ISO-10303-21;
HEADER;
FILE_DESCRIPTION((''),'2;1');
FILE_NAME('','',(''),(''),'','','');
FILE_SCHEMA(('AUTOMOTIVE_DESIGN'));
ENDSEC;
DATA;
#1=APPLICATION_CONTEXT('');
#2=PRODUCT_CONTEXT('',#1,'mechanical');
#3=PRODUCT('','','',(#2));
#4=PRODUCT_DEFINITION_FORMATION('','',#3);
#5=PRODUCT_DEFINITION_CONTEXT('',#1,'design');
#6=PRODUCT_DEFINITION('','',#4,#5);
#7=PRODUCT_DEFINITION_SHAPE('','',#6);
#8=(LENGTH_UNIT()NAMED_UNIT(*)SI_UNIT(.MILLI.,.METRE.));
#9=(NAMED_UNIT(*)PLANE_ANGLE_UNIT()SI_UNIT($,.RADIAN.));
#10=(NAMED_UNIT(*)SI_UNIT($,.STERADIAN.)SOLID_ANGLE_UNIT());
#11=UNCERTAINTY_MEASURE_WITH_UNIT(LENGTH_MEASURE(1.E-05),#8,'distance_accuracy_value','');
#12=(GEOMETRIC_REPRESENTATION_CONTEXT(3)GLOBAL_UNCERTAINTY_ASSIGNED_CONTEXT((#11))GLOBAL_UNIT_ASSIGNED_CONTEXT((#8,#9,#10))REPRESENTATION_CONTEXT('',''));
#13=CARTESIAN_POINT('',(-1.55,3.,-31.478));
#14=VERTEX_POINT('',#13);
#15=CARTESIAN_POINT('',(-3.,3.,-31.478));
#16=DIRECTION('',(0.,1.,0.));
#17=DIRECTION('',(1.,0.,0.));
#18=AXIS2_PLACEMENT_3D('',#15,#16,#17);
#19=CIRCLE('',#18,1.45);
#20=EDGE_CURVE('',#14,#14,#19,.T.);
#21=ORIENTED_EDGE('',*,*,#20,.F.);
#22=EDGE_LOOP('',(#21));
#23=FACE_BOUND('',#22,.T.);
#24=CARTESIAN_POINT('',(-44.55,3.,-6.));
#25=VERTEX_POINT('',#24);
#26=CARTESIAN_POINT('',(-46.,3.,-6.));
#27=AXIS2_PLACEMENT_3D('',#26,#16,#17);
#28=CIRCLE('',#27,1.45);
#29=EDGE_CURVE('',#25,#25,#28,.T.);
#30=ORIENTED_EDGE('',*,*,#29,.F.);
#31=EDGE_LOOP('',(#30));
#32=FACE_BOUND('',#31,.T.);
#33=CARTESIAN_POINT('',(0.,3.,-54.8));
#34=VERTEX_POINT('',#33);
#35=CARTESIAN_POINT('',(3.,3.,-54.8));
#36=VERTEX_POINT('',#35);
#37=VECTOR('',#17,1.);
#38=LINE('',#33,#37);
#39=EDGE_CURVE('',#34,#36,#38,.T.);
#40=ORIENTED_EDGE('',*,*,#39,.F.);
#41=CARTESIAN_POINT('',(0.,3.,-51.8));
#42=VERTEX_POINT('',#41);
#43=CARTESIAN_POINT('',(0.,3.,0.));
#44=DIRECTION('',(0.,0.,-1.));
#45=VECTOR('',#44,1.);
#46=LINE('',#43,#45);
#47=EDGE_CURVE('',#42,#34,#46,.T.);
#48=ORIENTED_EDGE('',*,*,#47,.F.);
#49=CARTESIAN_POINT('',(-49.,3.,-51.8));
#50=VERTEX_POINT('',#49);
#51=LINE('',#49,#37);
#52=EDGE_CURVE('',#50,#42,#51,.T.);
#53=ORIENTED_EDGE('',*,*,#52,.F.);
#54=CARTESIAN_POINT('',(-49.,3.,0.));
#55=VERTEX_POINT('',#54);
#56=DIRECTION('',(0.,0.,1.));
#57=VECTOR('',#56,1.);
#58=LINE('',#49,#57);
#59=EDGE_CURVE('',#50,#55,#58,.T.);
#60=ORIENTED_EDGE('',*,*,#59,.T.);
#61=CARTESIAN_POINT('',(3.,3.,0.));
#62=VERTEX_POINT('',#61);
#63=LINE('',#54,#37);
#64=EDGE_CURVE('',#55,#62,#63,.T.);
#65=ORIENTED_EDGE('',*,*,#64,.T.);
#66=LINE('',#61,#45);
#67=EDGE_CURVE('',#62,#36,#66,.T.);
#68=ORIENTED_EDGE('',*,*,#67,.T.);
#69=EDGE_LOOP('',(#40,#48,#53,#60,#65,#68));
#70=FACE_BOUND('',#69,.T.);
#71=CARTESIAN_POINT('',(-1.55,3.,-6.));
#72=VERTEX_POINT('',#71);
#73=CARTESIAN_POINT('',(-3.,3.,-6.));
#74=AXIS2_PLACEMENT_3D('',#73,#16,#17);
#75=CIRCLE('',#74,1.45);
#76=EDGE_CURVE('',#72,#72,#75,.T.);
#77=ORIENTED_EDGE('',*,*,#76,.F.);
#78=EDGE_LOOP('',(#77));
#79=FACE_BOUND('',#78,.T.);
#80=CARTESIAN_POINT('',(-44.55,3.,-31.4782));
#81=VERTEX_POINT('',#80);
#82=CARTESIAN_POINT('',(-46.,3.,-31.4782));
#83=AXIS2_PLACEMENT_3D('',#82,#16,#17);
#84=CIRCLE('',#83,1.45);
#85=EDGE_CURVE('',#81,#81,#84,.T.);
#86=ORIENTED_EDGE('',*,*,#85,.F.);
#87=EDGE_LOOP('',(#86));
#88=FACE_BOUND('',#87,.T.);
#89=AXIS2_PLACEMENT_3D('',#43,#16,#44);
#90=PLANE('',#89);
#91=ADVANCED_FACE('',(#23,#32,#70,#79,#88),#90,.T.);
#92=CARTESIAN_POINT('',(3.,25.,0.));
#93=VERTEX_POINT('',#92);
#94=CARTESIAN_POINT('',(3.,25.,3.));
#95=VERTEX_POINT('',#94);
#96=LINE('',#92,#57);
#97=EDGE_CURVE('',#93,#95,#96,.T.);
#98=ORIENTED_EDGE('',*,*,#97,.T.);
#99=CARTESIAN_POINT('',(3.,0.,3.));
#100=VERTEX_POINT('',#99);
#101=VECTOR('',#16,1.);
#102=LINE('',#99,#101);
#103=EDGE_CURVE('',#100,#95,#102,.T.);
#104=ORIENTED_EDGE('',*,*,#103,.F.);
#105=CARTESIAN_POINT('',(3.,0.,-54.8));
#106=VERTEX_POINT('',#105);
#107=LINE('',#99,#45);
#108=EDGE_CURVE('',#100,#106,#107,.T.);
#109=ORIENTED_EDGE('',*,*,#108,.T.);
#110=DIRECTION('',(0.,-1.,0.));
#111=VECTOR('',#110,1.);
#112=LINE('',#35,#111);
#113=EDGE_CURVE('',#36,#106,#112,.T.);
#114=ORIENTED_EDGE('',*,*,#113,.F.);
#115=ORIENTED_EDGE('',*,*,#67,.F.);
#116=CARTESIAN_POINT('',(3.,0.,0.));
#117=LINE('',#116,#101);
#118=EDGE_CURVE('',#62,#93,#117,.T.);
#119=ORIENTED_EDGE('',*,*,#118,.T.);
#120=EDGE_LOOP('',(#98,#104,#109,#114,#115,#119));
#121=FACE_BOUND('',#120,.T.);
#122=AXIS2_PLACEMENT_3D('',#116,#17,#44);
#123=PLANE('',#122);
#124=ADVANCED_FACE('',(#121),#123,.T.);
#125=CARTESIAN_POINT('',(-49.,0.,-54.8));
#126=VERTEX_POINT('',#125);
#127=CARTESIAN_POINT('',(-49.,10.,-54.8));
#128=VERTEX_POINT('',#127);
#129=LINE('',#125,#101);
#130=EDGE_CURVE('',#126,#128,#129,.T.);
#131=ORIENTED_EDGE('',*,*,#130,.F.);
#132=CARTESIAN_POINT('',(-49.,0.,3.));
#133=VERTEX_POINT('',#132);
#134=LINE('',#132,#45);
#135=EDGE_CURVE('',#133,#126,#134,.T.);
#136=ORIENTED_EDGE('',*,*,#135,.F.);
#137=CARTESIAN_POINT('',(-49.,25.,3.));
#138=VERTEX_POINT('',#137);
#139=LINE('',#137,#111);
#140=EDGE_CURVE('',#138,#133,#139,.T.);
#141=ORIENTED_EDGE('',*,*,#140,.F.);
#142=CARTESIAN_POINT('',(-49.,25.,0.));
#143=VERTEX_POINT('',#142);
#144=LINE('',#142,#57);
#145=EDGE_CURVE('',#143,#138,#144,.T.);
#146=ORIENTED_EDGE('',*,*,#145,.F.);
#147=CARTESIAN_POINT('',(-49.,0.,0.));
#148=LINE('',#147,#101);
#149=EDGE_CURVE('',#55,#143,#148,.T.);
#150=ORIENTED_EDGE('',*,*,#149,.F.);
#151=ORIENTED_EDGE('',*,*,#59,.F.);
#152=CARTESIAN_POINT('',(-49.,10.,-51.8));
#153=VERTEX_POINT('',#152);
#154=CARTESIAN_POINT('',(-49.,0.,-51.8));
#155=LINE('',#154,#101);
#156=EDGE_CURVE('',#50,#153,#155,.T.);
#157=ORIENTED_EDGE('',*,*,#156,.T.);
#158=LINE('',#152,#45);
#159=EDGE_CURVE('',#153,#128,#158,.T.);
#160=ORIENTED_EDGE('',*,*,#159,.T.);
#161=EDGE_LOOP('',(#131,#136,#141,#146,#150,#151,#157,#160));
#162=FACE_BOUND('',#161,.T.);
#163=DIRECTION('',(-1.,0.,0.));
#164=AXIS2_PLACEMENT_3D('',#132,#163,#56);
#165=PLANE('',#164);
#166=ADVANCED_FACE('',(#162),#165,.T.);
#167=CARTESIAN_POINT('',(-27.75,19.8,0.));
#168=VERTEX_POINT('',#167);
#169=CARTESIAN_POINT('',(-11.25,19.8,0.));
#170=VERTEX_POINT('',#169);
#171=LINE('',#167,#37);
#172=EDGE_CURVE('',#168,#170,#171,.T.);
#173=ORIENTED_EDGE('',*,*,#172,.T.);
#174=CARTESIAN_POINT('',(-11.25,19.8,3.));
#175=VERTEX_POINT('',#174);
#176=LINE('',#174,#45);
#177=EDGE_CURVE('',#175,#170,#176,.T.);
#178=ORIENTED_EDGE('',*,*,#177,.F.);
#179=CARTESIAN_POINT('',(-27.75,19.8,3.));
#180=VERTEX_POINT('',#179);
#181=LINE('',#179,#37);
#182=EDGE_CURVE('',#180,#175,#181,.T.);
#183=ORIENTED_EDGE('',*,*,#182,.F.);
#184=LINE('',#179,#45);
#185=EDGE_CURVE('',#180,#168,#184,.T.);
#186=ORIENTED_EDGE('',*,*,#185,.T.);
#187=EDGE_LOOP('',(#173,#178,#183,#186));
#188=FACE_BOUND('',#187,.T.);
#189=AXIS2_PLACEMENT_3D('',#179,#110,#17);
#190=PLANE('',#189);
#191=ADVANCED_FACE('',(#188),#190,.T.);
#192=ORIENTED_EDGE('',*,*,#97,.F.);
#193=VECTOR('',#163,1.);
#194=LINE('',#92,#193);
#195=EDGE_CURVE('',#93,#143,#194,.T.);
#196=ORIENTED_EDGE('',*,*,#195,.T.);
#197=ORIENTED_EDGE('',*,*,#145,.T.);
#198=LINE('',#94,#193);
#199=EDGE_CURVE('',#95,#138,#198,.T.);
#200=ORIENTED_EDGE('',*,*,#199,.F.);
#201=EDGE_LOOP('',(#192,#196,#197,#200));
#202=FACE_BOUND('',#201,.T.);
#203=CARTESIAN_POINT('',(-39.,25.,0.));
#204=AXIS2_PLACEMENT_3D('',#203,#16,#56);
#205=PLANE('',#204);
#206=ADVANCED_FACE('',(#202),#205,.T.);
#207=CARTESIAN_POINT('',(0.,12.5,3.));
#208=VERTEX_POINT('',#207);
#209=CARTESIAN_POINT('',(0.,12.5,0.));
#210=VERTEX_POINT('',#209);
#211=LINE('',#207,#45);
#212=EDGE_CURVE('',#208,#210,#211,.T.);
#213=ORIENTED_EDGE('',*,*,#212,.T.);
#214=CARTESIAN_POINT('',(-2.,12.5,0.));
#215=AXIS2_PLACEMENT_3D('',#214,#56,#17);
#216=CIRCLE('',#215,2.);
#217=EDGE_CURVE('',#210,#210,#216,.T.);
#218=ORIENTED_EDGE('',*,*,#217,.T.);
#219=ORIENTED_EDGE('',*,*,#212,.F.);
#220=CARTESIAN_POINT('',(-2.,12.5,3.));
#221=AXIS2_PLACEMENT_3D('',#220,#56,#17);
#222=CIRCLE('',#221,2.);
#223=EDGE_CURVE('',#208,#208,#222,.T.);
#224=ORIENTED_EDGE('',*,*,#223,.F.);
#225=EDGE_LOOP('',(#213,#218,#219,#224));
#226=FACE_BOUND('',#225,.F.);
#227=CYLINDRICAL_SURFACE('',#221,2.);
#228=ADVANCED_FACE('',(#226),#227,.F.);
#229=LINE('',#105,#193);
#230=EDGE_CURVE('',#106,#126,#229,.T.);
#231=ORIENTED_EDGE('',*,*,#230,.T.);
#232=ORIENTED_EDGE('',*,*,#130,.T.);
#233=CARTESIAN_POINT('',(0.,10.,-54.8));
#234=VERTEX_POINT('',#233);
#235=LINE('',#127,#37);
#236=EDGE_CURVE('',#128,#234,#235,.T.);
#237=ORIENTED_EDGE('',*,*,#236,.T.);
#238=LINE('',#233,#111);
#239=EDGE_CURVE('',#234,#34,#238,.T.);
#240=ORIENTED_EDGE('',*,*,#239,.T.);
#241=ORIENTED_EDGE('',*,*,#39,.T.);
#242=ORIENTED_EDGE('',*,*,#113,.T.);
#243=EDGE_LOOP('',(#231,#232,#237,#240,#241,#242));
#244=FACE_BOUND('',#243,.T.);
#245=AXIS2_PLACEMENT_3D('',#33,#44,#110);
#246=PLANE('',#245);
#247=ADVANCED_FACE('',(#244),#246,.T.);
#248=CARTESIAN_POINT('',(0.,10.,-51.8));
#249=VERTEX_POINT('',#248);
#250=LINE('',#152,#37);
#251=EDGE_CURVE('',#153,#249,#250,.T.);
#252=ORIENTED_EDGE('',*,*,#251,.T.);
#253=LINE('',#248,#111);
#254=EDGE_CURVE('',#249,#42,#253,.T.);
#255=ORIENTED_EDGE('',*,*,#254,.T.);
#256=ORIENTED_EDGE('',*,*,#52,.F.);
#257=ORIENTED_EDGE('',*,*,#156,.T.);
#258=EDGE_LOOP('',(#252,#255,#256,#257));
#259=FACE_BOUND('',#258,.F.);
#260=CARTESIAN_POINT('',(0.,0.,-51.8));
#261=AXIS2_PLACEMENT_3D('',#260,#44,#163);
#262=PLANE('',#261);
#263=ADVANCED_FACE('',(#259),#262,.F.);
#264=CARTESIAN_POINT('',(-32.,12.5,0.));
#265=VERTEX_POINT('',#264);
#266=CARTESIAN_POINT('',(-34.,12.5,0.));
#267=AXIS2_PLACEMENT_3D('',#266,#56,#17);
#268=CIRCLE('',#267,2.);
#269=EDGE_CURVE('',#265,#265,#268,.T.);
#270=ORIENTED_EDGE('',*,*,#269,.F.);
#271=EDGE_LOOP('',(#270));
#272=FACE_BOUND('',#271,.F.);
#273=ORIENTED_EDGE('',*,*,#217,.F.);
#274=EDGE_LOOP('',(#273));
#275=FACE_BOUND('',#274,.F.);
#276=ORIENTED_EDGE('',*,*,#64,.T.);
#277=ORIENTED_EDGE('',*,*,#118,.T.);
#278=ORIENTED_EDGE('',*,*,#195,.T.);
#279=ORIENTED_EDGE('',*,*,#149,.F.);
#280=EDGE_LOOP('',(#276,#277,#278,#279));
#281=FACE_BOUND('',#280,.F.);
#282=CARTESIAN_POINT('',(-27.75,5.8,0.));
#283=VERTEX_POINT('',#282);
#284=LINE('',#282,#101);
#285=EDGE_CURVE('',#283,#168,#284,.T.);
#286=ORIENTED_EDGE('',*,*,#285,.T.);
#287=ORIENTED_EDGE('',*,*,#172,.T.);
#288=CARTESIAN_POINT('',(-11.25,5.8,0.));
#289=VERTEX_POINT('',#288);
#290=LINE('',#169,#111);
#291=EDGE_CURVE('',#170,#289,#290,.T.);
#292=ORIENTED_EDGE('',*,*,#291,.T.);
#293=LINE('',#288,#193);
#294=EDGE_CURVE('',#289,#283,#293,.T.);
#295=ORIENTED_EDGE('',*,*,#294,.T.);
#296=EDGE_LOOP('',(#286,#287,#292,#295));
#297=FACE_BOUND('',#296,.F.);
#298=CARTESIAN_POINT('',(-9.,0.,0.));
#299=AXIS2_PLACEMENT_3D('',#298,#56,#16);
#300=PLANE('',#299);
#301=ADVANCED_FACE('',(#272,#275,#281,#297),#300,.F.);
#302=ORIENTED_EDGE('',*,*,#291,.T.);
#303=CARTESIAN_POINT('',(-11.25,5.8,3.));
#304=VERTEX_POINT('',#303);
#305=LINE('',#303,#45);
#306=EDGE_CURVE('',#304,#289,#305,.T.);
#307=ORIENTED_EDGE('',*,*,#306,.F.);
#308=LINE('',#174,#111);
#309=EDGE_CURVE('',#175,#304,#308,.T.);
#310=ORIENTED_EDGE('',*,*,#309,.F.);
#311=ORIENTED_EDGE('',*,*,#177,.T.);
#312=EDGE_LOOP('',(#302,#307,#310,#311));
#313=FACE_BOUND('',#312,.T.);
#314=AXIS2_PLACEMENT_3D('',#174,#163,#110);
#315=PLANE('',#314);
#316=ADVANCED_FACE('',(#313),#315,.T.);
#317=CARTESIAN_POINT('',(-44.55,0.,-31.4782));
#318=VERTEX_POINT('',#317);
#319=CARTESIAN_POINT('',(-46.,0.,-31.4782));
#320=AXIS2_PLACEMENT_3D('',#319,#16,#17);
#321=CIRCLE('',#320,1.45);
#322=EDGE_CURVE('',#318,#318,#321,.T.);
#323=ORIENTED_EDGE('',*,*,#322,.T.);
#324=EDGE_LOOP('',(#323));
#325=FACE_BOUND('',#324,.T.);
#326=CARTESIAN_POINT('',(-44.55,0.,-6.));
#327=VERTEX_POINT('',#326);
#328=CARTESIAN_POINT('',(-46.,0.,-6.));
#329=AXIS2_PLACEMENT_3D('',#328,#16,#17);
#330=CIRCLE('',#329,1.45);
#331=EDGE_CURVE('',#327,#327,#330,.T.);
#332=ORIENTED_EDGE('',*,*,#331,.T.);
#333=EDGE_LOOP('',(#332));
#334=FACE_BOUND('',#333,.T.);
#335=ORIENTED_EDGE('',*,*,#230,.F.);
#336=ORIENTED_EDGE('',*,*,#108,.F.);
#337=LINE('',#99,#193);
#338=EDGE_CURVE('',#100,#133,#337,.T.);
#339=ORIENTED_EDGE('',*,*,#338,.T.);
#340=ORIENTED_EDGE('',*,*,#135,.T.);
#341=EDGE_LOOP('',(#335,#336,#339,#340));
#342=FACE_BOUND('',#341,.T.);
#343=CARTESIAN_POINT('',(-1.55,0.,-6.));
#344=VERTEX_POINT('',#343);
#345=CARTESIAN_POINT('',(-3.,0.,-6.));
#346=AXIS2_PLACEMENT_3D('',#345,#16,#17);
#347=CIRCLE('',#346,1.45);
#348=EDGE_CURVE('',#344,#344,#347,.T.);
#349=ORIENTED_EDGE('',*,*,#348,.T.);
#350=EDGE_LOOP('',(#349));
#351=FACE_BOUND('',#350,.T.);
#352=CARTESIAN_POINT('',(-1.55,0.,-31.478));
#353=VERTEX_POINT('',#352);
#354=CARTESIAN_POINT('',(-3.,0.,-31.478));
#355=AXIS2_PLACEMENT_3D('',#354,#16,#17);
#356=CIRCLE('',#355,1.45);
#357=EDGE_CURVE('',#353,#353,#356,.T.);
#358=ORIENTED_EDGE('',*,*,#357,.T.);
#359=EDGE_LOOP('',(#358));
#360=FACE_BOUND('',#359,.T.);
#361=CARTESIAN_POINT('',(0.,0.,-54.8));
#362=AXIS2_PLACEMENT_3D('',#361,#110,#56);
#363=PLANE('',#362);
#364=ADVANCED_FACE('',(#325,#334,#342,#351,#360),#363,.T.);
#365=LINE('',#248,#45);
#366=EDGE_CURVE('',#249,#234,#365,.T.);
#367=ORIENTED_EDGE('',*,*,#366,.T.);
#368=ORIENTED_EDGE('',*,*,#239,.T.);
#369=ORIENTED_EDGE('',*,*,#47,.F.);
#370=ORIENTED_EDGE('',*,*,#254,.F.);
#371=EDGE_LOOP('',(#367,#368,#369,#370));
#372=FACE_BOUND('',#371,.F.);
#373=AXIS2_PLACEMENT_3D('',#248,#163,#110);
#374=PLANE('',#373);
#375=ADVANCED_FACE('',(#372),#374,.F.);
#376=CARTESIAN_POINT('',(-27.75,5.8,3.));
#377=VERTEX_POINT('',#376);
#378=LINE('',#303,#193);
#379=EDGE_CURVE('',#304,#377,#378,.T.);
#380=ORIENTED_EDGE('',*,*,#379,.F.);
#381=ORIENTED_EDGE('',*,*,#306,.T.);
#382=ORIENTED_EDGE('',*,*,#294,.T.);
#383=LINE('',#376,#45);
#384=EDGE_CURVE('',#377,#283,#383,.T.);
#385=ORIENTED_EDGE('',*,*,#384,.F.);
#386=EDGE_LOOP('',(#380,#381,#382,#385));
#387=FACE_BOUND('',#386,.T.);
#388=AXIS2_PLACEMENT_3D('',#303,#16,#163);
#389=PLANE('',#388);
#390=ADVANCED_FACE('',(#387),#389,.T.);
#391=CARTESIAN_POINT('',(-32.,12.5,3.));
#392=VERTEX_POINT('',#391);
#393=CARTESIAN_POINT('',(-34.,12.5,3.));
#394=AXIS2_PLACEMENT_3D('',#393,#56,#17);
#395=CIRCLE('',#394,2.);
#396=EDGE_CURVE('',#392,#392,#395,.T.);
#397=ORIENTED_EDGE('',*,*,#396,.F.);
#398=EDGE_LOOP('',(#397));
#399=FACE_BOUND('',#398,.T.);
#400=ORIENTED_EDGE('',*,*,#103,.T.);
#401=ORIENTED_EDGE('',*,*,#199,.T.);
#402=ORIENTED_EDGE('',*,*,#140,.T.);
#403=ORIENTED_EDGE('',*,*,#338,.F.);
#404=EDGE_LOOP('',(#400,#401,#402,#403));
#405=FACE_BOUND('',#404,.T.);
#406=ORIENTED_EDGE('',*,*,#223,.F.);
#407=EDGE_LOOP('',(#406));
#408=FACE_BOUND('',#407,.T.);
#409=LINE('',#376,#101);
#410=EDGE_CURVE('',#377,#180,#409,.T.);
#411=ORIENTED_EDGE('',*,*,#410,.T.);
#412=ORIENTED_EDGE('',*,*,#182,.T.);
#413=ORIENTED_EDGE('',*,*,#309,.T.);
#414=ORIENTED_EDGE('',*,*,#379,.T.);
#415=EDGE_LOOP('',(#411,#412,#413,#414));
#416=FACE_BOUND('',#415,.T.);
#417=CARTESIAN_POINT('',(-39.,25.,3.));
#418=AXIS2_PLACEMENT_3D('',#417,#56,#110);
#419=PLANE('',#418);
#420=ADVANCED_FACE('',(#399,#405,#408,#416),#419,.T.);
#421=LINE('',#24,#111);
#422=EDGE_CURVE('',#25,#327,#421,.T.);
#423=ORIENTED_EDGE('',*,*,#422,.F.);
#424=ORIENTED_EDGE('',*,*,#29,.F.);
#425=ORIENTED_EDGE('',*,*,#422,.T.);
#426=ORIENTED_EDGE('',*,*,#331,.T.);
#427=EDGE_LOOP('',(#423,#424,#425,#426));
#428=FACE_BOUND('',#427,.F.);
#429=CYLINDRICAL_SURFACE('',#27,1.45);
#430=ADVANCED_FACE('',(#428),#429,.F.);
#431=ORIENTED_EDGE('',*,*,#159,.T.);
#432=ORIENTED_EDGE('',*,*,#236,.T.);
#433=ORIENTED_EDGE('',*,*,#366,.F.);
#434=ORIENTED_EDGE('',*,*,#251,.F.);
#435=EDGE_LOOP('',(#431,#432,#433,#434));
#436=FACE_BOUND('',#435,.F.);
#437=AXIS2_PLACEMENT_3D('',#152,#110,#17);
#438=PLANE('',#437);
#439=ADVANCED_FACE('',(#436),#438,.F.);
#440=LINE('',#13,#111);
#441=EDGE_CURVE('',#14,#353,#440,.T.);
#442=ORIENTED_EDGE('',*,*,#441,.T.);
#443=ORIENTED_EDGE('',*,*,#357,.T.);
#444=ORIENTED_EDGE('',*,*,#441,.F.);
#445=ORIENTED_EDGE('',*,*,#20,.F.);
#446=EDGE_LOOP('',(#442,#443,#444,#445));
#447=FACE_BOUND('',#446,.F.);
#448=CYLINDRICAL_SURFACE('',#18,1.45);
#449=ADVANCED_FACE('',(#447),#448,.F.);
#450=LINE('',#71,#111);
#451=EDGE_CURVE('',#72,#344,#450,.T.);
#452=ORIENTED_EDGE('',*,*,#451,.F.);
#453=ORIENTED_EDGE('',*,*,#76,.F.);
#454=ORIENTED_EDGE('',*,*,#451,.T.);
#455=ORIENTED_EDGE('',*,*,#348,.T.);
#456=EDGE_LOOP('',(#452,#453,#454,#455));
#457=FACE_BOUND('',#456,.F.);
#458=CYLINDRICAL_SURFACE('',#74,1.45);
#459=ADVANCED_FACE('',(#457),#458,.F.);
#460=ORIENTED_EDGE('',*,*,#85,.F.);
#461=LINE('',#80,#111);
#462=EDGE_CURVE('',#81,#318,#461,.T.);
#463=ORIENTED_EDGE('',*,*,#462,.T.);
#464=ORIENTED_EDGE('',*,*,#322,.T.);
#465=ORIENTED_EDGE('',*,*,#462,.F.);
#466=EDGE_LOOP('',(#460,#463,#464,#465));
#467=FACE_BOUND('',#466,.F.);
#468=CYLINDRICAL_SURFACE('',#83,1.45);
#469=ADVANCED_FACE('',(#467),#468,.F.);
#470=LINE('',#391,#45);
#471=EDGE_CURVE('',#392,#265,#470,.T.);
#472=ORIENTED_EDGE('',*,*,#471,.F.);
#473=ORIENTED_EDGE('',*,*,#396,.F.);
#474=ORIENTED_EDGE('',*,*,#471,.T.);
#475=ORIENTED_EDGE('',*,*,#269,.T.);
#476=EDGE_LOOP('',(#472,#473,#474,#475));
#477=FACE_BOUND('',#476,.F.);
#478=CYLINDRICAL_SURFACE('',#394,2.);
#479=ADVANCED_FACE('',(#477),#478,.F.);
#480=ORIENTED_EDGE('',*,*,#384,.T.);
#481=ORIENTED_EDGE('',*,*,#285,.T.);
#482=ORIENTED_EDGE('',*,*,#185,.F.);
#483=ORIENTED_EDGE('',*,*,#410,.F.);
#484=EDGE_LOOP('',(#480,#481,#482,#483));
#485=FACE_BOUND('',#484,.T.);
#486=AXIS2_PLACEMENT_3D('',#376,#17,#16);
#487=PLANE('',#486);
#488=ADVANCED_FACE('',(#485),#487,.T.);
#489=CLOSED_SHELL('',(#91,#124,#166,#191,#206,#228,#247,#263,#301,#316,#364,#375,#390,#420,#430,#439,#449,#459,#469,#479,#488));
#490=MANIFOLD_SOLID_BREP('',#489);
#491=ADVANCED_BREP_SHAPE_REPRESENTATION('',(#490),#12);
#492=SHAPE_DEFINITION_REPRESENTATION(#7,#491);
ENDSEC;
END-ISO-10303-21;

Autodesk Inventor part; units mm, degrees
ref_plane "YZ Plane" through (0, 0, 0) normal (1, 0, 0) x (0, 1, 0)
ref_plane "XZ Plane" through (0, 0, 0) normal (0, 1, 0) x (-1, 0, 0)
ref_plane "XY Plane" through (0, 0, 0) normal (0, 0, 1) x (1, 0, 0)
sketch "Sketch1" plane through (0, 0, 0) normal (0, 1, 0) x (-1, 0, 0)
  line L0 (0, 0) -> (39, 0)
  line L1 (39, 0) -> (39, -51.8)
  line L2 (39, -51.8) -> (0, -51.8)
  line L3 (0, -51.8) -> (0, 0)
  dimension "d0" = 39
  dimension "d1" = 51.8
extrude "Extrusion1" add sketch "Sketch1" along normal blind 3
sketch "Sketch2" plane through (-39, 0, 0) normal (0, 0, 1) x (1, 0, 0)
  line L0 (0, 0) -> (30, 0)
  line L1 (30, 0) -> (30, 25)
  line L2 (30, 25) -> (0, 25)
  line L3 (0, 25) -> (0, 0)
  point P0 (39, 0)
  dimension "d4" = 25
extrude "Extrusion2" add sketch "Sketch2" along normal blind 3
sketch "Sketch3" plane through (-39, 0, 3) normal (0, 0, 1) x (1, 0, 0)
  line L0 (11.25, 19.8) -> (27.75, 19.8)
  line L1 (27.75, 19.8) -> (27.75, 5.8)
  line L2 (27.75, 5.8) -> (11.25, 5.8)
  line L3 (11.25, 5.8) -> (11.25, 19.8)
  line L4 (0, 0) -> (39, 0) projected
  line L5 (30, 0) -> (30, 25) projected
  dimension "d7" = 16.5
  dimension "d8" = 14
  dimension "d9" = 5.8
  dimension "d10" = 2.25
extrude "Extrusion3" cut sketch "Sketch3" against normal blind 3
sketch "Sketch5" plane through (-9, 3, 0) normal (1, 0, 0) x (0, 0, -1)
  line L0 (-3, -3) -> (-3, 22) projected
  line L1 (0, 0) -> (0, 22) projected
  line L2 (-3, -3) -> (0, -3)
  line L3 (0, -3) -> (0, 22)
  line L4 (0, 22) -> (-3, 22)
  line L5 (-3, 22) -> (-3, -3)
  point P0 (0, -3)
extrude "Extrusion4" add sketch "Sketch5" along normal blind 12
sketch "Sketch6" plane through (-39, 0, 3) normal (0, 0, 1) x (1, 0, 0)
  circle A0 centre (5, 12.5) radius 2
  circle A1 centre (37, 12.5) radius 2
  line L0 (0, 25) -> (0, 0) projected
  line L1 (42, 25) -> (42, 0) projected
  line L2 (0, 25) -> (42, 25) projected
  point P0 (39, 0)
  dimension "d15" = 4
  dimension "d16" = 4
  dimension "d17" = 5
  dimension "d18" = 5
  dimension "d19" = 12.5
  dimension "d20" = 12.5
extrude "Extrusion5" cut sketch "Sketch6" against normal blind 9
sketch "Sketch7" plane through (-39, 0, -51.8) normal (-1, 0, 0) x (0, 0, 1)
  line L0 (0, 0) -> (0, 3) projected
  line L1 (0, 3) -> (51.8, 3)
  line L2 (51.8, 3) -> (51.8, 0)
  line L3 (51.8, 0) -> (0, 0)
  line L4 (0, 0) -> (0, 3)
extrude "Extrusion6" add sketch "Sketch7" along normal blind 10
sketch "Sketch8" plane through (0, 3, 0) normal (0, 1, 0) x (1, 0, 0)
  circle A0 centre (-3, 31.478) radius 1.45
  circle A1 centre (-3, 6) radius 1.45
  circle A2 centre (-46, 31.4782) radius 1.45
  circle A3 centre (-46, 6) radius 1.45
  line L0 (0, 0) -> (0, 51.8) projected
  line L1 (-49, 0) -> (-49, 51.8) projected
  line L2 (-39, 0) -> (0, 0) projected
  line L3 (-39, 0) -> (-49, 0) projected
  dimension "d25" = 2.9
  dimension "d26" = 2.9
  dimension "d27" = 2.9
  dimension "d28" = 2.9
  dimension "d29" = 3
  dimension "d30" = 3
  dimension "d31" = 3
  dimension "d32" = 3
  dimension "d38" = 6
  dimension "d39" = 25.4782
  dimension "d40" = 25.478
  dimension "d41" = 6
extrude "Extrusion7" cut sketch "Sketch8" against normal blind 10
sketch "Sketch10" plane through (0, 0, -51.8) normal (0, 0, -1) x (-1, 0, 0)
  line L0 (-3, 25) -> (-3, 0) projected
  line L1 (0, 0) -> (49, 0)
  line L2 (49, 0) -> (49, 10)
  line L3 (49, 10) -> (0, 10)
  line L4 (0, 10) -> (0, 0)
  dimension "d35" = 10
extrude "Extrusion8" add sketch "Sketch10" along normal blind 3
sketch "Sketch11" plane through (-39, 0, 3) normal (-1, 0, 0) x (0, 0, 1)
  line L0 (0, 0) -> (-3, 0) projected
  line L1 (0, 0) -> (-3, 0)
  line L2 (-3, 0) -> (-3, 25)
  line L3 (-3, 25) -> (0, 25)
  line L4 (0, 25) -> (0, 0)
extrude "Extrusion9" add sketch "Sketch11" along normal blind 10
sketch "Sketch12" plane through (0, 0, 0) normal (1, 0, 0) x (0, 0, -1)
  line L0 (0, 3) -> (51.8, 3) projected
  line L1 (54.8, 0) -> (0, 0)
  line L2 (0, 0) -> (0, 3)
  line L3 (0, 3) -> (54.8, 3)
  line L4 (54.8, 3) -> (54.8, 0)
  point P0 (0, 0)
extrude "Extrusion10" add sketch "Sketch12" along normal blind 3
properties part number "SoporteEthernet"
